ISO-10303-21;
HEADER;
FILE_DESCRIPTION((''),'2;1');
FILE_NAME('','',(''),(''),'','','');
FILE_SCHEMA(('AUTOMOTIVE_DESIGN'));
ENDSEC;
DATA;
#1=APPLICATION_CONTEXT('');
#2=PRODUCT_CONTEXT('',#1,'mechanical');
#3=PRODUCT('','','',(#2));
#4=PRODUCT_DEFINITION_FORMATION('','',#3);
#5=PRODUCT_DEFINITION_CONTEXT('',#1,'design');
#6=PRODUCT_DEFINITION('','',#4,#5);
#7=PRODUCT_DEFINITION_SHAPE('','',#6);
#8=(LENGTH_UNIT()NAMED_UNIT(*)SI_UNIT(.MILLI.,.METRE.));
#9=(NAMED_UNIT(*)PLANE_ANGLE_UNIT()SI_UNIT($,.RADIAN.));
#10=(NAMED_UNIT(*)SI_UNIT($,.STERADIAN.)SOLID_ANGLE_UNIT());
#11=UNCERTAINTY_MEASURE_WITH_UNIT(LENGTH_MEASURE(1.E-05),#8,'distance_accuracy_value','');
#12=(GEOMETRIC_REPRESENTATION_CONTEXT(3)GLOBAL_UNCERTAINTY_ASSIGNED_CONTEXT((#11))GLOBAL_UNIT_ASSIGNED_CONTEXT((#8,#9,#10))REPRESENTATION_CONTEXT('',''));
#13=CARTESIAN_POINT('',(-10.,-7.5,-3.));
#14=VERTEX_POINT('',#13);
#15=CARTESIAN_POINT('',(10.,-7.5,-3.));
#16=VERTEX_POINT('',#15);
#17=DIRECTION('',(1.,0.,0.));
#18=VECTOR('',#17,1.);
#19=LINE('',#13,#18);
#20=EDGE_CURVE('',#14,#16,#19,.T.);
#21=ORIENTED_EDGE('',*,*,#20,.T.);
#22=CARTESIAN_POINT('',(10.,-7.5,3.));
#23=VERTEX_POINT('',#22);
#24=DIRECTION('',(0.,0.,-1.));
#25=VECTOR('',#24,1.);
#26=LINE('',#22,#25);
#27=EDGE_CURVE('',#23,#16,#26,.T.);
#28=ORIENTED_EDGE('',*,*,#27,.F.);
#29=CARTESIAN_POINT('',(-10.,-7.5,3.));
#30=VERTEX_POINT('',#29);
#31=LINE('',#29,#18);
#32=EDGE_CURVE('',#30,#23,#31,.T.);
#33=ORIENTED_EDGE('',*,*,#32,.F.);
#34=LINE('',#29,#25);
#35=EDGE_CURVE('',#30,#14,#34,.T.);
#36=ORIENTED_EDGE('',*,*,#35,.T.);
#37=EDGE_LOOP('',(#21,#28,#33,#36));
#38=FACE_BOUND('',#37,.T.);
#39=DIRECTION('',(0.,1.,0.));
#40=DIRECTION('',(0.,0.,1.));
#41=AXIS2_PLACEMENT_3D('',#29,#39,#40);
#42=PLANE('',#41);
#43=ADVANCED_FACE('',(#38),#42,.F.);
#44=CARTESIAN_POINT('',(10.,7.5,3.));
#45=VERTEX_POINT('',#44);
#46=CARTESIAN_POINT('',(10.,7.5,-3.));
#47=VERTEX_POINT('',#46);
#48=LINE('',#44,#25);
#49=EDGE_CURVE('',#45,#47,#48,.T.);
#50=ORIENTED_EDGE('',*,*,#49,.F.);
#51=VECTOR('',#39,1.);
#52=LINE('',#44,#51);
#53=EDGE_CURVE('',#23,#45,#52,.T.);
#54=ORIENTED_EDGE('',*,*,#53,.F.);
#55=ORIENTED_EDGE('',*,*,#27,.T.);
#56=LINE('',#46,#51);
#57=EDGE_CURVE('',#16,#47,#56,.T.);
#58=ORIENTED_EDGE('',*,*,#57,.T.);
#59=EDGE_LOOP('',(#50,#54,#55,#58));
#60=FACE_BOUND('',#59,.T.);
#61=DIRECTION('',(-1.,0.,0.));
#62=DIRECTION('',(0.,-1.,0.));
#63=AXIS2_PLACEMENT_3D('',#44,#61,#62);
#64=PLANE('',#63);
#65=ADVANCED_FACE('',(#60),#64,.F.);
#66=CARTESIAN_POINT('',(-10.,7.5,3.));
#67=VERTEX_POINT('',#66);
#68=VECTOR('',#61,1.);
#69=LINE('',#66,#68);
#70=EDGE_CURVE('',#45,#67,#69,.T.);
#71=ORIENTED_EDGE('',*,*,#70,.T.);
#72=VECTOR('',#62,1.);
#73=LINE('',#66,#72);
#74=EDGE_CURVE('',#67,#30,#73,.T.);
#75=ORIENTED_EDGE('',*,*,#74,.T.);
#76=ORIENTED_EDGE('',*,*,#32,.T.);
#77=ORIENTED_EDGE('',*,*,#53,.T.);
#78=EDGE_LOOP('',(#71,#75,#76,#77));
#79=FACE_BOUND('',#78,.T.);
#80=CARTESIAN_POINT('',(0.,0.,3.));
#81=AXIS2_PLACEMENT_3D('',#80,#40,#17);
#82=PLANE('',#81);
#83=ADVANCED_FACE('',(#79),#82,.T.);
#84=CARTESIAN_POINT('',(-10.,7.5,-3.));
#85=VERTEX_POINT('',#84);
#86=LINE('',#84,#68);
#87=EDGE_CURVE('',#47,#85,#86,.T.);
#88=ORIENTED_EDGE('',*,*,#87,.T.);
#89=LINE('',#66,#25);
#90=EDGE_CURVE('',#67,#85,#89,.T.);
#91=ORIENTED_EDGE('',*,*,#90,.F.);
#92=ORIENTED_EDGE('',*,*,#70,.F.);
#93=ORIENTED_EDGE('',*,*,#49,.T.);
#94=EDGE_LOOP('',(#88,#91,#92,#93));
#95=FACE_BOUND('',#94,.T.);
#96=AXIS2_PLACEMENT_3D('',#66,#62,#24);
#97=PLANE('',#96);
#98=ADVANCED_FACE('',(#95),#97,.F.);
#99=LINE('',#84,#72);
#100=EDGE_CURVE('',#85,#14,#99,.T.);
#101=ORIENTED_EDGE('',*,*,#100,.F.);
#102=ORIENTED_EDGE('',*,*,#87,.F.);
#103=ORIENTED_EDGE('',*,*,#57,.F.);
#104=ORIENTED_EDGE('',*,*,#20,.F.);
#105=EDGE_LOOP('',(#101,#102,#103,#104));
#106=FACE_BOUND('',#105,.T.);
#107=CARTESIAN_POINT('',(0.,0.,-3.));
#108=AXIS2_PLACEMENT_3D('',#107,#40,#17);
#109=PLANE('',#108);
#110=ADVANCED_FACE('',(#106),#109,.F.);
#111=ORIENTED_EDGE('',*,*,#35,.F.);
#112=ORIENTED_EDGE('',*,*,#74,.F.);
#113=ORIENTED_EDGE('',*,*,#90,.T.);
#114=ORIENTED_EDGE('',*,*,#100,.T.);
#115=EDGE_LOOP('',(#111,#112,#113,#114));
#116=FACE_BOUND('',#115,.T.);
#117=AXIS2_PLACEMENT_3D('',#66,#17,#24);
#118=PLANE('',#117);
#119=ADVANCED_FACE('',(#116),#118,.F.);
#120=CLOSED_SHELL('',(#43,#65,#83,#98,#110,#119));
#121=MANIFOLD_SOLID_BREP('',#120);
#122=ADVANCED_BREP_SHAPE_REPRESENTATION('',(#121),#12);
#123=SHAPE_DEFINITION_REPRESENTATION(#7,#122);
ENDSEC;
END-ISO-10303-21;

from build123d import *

# Parameters (mm, degrees)
SKETCH_1_W      = 20
SKETCH_1_H      = 15
EXTRUDE_1_DEPTH = 3


with BuildPart() as part:
    # 草图1 → 凸台-拉伸1 (new, symmetric)
    with BuildSketch(Plane.XY):
        Rectangle(SKETCH_1_W, SKETCH_1_H)
    extrude(amount=EXTRUDE_1_DEPTH, both=True)


solid = part.part
